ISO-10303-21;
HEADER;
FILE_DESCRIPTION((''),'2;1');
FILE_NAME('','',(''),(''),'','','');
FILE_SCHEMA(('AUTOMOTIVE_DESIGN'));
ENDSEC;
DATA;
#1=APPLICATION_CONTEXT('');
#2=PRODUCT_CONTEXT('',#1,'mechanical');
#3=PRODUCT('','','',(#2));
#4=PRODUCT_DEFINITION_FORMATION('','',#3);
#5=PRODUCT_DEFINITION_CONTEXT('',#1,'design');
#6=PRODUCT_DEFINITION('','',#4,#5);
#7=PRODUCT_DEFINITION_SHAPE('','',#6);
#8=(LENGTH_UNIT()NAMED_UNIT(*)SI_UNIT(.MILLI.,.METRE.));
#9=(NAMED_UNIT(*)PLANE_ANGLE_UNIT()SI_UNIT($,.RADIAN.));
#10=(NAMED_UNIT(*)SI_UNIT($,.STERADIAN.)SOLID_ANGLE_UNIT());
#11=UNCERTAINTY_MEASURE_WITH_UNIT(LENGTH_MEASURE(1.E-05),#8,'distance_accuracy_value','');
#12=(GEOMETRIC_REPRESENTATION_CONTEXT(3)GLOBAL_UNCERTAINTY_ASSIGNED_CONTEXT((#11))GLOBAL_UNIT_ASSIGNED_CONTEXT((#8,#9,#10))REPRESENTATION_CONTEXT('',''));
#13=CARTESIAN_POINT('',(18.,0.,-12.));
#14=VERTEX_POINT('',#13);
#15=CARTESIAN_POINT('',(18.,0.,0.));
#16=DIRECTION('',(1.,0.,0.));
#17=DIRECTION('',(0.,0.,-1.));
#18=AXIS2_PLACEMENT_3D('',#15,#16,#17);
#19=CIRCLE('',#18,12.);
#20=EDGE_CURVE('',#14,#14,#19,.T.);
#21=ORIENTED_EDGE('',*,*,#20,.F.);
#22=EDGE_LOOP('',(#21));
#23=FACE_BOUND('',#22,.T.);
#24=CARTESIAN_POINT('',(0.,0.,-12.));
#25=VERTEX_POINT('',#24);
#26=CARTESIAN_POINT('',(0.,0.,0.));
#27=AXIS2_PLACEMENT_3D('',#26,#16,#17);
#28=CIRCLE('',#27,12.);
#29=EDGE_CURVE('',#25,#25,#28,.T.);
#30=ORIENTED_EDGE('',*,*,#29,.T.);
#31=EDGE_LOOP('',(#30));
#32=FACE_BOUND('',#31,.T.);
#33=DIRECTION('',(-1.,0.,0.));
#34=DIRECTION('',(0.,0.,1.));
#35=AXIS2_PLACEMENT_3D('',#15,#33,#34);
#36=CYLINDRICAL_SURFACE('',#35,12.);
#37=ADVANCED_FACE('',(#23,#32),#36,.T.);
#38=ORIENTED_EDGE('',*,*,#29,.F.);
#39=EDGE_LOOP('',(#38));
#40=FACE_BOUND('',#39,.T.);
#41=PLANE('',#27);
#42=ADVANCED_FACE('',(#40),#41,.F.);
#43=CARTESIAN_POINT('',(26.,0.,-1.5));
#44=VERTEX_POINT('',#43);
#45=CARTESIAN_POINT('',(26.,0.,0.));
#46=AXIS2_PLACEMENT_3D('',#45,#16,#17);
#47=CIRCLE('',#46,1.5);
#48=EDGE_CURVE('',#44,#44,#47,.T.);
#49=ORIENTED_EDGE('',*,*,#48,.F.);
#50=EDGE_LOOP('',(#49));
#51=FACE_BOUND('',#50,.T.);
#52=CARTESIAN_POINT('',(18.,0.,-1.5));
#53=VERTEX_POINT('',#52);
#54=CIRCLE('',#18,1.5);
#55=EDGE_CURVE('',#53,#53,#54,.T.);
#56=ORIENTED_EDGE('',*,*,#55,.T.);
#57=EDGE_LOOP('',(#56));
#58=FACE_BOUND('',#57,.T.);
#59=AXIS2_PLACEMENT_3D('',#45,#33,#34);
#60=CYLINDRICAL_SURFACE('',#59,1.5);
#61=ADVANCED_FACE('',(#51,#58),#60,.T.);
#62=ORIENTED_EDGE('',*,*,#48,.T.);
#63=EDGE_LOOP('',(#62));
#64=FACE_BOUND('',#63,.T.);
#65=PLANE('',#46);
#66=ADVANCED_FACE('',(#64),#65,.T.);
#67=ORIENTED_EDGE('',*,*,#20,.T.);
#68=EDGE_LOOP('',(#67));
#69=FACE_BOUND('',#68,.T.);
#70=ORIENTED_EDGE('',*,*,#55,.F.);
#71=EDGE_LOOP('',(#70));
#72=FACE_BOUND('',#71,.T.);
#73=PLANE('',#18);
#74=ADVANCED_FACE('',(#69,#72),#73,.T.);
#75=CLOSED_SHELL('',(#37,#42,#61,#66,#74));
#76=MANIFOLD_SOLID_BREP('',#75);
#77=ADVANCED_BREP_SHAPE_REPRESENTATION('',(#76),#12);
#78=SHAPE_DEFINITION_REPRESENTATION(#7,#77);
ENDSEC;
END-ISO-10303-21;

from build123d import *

# Parameters (mm, degrees)
SKETCH_1_R      = 12
EXTRUDE_1_DEPTH = 18
SKETCH_2_R      = 1.5
EXTRUDE_2_DEPTH = 8


with BuildPart() as part:
    # 草图1 → 凸台-拉伸1 (new body)
    with BuildSketch(Plane(origin=(0, 0, 0), x_dir=(0, 0, -1), z_dir=(1, 0, 0))):
        Circle(SKETCH_1_R)
    extrude(amount=EXTRUDE_1_DEPTH)

    # 草图2 → 凸台-拉伸2 (add)
    with BuildSketch(Plane(origin=(18, 0, 0), x_dir=(0, 0, -1), z_dir=(1, 0, 0))):
        Circle(SKETCH_2_R)
    extrude(amount=EXTRUDE_2_DEPTH)


solid = part.part
